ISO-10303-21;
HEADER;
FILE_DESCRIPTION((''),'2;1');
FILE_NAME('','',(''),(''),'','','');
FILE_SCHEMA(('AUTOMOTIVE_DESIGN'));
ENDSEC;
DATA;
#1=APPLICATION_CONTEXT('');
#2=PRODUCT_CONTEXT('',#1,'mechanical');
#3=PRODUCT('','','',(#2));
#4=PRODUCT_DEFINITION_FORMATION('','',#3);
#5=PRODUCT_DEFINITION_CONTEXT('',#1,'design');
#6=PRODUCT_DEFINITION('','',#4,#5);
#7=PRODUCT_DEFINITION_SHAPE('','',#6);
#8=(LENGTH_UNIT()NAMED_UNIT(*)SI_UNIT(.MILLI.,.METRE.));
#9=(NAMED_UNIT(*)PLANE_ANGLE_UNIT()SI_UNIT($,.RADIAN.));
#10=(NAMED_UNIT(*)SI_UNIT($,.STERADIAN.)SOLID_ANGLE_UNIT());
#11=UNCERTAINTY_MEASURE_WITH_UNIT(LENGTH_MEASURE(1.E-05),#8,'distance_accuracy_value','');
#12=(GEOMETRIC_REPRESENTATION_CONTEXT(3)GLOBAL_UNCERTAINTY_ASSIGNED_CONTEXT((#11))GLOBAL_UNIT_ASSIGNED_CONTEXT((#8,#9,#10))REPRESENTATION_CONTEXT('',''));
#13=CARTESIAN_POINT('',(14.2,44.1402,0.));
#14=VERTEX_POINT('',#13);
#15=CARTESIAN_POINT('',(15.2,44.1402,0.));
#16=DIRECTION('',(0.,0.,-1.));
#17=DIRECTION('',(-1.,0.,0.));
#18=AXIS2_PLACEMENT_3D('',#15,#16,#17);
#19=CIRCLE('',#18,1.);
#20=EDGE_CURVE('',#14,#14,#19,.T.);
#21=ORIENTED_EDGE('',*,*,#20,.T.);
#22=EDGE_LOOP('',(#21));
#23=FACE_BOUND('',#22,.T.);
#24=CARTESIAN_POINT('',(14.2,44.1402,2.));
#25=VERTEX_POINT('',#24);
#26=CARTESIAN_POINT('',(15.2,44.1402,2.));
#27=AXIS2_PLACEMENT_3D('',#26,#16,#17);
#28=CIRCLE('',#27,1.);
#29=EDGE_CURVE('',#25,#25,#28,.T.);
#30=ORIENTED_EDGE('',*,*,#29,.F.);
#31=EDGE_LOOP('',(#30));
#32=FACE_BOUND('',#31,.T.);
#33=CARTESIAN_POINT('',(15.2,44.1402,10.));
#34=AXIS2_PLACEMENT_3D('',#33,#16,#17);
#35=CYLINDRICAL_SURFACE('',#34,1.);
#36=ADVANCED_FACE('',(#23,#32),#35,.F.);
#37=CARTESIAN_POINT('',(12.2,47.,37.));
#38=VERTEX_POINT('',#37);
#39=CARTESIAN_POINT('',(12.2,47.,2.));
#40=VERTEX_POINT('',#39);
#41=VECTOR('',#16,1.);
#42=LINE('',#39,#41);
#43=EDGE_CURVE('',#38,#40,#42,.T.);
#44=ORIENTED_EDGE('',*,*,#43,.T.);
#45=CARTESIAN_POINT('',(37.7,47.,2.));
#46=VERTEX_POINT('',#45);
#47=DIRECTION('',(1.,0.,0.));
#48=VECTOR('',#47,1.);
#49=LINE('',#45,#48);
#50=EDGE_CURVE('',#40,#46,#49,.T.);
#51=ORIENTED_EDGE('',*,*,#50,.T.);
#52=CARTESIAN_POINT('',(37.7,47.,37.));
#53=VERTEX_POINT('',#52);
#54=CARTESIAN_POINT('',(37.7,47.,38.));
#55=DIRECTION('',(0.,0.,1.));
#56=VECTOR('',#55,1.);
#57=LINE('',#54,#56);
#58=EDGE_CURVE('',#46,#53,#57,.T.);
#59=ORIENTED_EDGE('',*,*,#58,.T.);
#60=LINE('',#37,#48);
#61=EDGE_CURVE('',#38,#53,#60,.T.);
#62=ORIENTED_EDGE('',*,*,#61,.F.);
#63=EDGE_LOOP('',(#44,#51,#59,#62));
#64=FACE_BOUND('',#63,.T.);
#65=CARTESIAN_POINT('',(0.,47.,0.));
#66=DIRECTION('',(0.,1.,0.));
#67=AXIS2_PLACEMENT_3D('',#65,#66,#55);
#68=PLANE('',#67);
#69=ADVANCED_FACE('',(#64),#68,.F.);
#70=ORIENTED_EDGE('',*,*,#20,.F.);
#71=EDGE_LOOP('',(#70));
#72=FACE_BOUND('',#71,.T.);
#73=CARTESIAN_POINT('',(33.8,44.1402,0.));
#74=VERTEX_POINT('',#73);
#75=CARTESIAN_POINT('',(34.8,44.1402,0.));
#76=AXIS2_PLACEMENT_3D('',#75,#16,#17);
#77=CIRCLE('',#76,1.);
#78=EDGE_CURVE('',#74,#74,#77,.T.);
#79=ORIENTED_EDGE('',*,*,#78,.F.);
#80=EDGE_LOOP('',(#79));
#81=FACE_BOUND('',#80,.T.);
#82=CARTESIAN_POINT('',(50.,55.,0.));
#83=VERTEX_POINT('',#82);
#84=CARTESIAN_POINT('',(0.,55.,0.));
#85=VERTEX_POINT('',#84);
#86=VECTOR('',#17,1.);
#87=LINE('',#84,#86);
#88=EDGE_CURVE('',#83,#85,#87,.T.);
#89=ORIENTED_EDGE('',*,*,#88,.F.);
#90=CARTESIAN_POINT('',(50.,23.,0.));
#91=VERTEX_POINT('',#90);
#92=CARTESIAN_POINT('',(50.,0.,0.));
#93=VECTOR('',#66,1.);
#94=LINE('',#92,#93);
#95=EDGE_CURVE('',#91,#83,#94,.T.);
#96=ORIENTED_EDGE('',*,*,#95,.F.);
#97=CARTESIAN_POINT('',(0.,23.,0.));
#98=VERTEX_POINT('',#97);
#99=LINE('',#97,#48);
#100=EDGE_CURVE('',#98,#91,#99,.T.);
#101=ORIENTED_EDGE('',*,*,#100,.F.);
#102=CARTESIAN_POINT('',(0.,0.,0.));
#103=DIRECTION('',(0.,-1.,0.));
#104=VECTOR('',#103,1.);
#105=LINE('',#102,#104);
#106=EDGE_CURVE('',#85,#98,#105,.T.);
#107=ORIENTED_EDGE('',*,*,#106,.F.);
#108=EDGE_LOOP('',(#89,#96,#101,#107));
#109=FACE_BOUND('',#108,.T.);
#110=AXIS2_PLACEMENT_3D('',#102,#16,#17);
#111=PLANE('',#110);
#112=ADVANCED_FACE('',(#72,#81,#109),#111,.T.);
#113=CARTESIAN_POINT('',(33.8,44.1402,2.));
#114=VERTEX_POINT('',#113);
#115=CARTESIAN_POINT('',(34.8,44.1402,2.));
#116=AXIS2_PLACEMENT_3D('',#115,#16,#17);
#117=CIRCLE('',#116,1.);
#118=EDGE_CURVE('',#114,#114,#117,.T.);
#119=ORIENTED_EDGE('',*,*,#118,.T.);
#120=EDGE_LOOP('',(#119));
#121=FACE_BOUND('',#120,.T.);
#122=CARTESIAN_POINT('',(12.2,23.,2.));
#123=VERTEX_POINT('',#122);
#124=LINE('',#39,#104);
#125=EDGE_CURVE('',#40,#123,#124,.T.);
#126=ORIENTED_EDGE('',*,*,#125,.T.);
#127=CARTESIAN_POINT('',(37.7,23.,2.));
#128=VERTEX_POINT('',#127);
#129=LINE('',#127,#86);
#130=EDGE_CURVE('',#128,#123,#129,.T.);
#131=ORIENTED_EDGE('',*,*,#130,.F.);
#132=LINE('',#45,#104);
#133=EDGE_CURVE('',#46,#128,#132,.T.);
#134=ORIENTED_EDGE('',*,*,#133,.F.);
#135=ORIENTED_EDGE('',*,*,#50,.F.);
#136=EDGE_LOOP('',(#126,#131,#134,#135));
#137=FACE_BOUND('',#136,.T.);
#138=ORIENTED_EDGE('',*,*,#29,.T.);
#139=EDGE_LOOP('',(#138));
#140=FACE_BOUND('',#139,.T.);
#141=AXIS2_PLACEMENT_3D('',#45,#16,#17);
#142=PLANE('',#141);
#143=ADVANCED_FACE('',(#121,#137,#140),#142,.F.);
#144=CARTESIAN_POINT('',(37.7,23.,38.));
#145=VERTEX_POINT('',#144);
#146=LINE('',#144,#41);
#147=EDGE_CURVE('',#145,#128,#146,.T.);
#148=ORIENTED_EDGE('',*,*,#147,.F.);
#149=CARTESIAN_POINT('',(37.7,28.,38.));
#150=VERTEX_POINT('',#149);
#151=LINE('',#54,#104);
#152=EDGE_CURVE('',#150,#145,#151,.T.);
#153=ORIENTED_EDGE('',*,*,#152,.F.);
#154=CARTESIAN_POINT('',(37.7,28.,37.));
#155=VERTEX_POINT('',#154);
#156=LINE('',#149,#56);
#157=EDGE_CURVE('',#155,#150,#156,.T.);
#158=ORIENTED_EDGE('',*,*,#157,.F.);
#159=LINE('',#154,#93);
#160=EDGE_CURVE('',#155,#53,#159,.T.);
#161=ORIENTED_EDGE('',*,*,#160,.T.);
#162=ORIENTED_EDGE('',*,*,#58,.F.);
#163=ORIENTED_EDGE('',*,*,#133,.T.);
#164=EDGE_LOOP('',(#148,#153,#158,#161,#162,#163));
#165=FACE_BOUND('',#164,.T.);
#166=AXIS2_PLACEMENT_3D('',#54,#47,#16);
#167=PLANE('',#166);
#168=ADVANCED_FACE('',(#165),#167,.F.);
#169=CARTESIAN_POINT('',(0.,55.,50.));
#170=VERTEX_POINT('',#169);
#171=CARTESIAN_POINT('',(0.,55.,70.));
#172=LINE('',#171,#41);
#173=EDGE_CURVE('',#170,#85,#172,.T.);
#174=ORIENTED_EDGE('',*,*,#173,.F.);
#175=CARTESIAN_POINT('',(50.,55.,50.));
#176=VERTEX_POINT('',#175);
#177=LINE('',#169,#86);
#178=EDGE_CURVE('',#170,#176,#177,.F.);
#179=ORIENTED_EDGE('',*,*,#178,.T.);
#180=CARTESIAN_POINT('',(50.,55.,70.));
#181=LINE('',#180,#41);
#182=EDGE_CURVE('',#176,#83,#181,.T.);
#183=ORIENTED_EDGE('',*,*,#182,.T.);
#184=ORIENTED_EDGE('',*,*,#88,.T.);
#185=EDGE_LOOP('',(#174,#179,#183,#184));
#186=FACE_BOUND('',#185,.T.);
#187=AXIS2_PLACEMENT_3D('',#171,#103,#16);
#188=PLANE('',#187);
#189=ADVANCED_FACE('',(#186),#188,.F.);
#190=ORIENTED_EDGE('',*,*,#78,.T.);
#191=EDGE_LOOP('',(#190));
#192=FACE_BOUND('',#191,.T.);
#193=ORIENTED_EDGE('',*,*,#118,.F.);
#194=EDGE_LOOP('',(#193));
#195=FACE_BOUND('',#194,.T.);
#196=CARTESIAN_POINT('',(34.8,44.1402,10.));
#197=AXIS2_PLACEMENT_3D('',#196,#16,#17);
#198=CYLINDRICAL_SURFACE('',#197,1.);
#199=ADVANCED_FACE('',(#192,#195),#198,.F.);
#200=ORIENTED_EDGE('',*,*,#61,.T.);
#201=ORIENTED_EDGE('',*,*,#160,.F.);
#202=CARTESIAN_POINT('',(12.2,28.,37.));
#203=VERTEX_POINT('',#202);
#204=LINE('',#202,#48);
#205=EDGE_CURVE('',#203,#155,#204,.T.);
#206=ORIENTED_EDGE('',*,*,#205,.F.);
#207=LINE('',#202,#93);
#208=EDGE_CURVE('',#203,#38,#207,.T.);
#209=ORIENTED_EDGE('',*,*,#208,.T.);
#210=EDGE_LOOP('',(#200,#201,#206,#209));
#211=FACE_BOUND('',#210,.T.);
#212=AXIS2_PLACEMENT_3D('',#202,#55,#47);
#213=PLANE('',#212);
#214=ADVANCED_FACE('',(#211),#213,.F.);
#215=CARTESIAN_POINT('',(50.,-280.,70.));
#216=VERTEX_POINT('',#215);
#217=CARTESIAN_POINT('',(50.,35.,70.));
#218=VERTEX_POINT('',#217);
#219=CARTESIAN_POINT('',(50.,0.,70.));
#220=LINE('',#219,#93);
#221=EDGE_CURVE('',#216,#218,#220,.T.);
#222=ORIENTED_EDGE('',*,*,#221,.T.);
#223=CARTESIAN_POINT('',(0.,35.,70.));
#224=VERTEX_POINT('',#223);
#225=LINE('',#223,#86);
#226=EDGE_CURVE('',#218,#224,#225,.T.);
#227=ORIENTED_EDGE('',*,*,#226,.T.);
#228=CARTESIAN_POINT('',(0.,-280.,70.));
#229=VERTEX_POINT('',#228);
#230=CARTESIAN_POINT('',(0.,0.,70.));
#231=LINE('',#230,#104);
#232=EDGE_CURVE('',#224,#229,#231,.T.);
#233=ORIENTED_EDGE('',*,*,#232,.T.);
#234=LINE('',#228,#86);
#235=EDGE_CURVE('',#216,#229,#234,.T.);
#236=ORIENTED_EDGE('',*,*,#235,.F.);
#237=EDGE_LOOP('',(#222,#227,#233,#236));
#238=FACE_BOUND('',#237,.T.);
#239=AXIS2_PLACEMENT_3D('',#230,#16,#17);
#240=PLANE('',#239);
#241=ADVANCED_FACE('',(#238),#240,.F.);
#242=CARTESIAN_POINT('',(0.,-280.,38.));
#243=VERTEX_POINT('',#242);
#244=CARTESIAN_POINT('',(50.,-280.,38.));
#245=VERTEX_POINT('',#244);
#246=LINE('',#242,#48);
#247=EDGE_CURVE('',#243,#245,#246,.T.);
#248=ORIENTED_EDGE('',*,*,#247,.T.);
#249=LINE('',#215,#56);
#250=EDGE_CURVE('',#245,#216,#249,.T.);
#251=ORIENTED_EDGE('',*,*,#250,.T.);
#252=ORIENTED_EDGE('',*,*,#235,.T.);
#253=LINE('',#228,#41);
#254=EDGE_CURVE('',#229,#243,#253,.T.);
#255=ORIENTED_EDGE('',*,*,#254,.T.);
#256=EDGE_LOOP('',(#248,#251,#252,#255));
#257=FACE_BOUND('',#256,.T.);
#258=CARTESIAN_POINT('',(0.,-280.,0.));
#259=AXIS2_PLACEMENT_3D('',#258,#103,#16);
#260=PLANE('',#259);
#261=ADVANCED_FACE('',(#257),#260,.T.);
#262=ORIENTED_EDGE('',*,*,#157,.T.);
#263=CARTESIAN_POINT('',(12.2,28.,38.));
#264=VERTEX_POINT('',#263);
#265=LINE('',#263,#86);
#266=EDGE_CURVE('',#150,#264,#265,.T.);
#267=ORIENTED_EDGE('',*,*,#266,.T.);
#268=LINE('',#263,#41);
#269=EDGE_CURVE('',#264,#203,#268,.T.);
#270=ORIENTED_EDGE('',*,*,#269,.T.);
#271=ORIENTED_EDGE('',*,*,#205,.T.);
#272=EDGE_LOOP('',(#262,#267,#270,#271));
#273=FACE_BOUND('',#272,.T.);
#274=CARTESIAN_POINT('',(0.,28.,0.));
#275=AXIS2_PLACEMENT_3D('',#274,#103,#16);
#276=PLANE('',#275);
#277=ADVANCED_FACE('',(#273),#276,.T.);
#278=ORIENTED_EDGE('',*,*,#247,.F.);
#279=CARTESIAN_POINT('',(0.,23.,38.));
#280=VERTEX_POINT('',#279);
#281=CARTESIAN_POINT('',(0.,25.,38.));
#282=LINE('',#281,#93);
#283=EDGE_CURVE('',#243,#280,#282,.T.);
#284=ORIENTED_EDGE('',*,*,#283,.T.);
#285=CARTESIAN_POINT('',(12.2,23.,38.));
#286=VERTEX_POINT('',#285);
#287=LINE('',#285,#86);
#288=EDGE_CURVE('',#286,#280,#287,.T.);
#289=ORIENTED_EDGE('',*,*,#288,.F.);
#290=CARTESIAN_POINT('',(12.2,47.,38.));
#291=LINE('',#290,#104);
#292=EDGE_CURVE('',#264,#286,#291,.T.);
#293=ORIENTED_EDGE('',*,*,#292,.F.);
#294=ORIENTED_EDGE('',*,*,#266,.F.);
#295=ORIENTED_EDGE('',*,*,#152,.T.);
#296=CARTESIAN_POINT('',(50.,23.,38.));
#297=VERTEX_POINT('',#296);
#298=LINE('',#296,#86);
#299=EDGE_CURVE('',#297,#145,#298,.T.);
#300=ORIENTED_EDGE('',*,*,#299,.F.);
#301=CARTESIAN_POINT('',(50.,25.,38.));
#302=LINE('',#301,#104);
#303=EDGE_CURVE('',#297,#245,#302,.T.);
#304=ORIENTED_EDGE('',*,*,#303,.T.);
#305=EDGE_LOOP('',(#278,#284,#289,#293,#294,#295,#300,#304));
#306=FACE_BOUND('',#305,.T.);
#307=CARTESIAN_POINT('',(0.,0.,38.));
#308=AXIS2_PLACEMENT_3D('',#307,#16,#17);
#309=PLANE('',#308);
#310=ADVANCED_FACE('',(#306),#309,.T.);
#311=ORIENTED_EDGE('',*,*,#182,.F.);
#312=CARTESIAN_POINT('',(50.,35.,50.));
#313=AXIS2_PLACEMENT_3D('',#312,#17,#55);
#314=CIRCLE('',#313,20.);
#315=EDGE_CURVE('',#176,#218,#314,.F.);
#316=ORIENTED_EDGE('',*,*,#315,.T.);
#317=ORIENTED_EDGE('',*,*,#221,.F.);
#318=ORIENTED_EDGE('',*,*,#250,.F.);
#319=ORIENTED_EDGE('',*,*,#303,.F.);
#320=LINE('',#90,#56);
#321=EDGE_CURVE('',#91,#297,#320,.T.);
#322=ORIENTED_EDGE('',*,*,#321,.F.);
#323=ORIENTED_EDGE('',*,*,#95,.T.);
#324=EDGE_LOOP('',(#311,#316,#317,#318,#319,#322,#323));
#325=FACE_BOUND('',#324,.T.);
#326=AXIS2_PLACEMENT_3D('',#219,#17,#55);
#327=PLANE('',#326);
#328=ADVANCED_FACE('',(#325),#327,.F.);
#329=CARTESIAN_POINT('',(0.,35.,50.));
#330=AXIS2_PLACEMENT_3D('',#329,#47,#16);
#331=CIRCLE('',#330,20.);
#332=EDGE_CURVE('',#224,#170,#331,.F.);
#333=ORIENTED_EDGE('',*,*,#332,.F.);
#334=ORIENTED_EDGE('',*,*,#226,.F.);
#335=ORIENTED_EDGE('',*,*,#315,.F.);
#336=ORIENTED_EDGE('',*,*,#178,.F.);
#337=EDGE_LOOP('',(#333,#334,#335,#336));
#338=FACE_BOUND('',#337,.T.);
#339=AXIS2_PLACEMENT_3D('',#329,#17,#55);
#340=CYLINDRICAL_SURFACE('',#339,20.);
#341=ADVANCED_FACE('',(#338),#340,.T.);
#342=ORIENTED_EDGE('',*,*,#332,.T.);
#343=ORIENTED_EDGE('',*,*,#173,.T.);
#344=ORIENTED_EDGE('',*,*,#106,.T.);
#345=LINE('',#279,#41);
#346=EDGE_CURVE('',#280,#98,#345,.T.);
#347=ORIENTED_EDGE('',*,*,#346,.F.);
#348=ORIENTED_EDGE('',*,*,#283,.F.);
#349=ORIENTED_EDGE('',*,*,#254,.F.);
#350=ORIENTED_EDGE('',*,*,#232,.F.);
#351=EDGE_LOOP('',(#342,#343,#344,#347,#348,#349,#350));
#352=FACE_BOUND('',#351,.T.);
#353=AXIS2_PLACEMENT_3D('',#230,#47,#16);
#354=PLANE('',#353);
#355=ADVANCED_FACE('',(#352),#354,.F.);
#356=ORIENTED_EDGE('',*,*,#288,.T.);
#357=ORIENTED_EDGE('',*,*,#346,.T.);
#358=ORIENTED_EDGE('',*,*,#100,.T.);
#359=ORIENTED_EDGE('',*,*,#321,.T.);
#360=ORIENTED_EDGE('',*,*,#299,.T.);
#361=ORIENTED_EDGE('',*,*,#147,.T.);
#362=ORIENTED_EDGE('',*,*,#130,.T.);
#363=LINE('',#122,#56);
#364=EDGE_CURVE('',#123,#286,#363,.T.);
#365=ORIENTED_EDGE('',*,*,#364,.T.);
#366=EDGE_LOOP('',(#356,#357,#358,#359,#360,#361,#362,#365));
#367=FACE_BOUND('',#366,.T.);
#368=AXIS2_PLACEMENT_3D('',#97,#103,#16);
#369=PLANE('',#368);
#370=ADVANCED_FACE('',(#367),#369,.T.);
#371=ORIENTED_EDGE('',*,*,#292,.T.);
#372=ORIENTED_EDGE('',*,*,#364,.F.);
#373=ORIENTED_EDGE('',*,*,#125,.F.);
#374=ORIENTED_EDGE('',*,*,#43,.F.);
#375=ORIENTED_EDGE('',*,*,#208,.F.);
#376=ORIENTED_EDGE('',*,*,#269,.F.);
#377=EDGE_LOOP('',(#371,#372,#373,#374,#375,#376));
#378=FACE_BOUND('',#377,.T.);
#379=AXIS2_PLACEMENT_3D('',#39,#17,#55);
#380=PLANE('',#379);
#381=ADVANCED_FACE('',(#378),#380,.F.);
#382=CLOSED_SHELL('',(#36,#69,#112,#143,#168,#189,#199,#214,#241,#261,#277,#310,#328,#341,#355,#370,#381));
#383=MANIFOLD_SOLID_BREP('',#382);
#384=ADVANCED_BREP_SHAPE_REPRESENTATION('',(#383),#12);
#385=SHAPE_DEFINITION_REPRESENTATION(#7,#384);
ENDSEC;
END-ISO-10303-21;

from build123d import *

# Parameters (mm, degrees)
SKETCH_1_W          = 50
SKETCH_1_H          = 55
EXTRUDE_1_DEPTH     = 70
SKETCH_3_W          = 50
SKETCH_3_H          = 25
CUT_EXTRUDE_1_DEPTH = 38
SKETCH_4_W          = 25.5
SKETCH_4_H          = 36
CUT_EXTRUDE_2_DEPTH = 22
SKETCH_12_W         = 25.5
SKETCH_12_H         = 1
EXTRUDE_2_DEPTH     = 19
EXTRUDE_3_DEPTH     = 2
SKETCH_16_W         = 50
SKETCH_16_H         = 32
EXTRUDE_5_DEPTH     = 280
FILLET_1_R          = 20
SKETCH_23_R         = 1
CUT_EXTRUDE_3_DEPTH = 10


with BuildPart() as part:
    # 草图1 → 凸台-拉伸1 (new body)
    with BuildSketch(Plane.XY):
        with Locations((25, 27.5)):
            Rectangle(SKETCH_1_W, SKETCH_1_H)
    extrude(amount=EXTRUDE_1_DEPTH)

    # 草图3 → 切除-拉伸1 (cut)
    with BuildSketch(Plane(origin=(0, 0, 0), x_dir=(-1, 0, 0), z_dir=(0, 0, -1))):
        with Locations((-25, 12.5)):
            Rectangle(SKETCH_3_W, SKETCH_3_H)
    extrude(amount=-CUT_EXTRUDE_1_DEPTH, mode=Mode.SUBTRACT)

    # 草图4 → 切除-拉伸2 (cut)
    with BuildSketch(Plane.XZ.offset(-25)):
        with Locations((24.95, 20)):
            Rectangle(SKETCH_4_W, SKETCH_4_H)
    extrude(amount=-CUT_EXTRUDE_2_DEPTH, mode=Mode.SUBTRACT)

    # 草图12 → 凸台-拉伸2 (add)
    with BuildSketch(Plane.XZ.offset(-47)):
        with Locations((24.95, 37.5)):
            Rectangle(SKETCH_12_W, SKETCH_12_H)
    extrude(amount=EXTRUDE_2_DEPTH)

    # 草图13 → 凸台-拉伸3 (add)
    with BuildSketch(Plane.XZ.offset(-25)):
        Polygon((12.2, 38), (0, 38), (0, 0), (50, 0), (50, 38), (37.7, 38), (37.7, 2), (12.2, 2), align=None)
    extrude(amount=EXTRUDE_3_DEPTH)

    # 草图16 → 凸台-拉伸5 (add)
    with BuildSketch(Plane.XZ):
        with Locations((25, 54)):
            Rectangle(SKETCH_16_W, SKETCH_16_H)
    extrude(amount=EXTRUDE_5_DEPTH)

    # 圆角1
    fillet_1_edges = [part.edges().sort_by_distance(p)[0] for p in [
        (25, 55, 70),
    ]]
    fillet(fillet_1_edges, radius=FILLET_1_R)

    # 草图23 → 切除-拉伸3 (cut)
    with BuildSketch(Plane(origin=(0, 0, 0), x_dir=(-1, 0, 0), z_dir=(0, 0, -1))):
        with Locations((-15.2, 44.140200043)):
            Circle(SKETCH_23_R)
        with Locations((-34.8, 44.140200043)):
            Circle(SKETCH_23_R)
    extrude(amount=-CUT_EXTRUDE_3_DEPTH, mode=Mode.SUBTRACT)


solid = part.part
